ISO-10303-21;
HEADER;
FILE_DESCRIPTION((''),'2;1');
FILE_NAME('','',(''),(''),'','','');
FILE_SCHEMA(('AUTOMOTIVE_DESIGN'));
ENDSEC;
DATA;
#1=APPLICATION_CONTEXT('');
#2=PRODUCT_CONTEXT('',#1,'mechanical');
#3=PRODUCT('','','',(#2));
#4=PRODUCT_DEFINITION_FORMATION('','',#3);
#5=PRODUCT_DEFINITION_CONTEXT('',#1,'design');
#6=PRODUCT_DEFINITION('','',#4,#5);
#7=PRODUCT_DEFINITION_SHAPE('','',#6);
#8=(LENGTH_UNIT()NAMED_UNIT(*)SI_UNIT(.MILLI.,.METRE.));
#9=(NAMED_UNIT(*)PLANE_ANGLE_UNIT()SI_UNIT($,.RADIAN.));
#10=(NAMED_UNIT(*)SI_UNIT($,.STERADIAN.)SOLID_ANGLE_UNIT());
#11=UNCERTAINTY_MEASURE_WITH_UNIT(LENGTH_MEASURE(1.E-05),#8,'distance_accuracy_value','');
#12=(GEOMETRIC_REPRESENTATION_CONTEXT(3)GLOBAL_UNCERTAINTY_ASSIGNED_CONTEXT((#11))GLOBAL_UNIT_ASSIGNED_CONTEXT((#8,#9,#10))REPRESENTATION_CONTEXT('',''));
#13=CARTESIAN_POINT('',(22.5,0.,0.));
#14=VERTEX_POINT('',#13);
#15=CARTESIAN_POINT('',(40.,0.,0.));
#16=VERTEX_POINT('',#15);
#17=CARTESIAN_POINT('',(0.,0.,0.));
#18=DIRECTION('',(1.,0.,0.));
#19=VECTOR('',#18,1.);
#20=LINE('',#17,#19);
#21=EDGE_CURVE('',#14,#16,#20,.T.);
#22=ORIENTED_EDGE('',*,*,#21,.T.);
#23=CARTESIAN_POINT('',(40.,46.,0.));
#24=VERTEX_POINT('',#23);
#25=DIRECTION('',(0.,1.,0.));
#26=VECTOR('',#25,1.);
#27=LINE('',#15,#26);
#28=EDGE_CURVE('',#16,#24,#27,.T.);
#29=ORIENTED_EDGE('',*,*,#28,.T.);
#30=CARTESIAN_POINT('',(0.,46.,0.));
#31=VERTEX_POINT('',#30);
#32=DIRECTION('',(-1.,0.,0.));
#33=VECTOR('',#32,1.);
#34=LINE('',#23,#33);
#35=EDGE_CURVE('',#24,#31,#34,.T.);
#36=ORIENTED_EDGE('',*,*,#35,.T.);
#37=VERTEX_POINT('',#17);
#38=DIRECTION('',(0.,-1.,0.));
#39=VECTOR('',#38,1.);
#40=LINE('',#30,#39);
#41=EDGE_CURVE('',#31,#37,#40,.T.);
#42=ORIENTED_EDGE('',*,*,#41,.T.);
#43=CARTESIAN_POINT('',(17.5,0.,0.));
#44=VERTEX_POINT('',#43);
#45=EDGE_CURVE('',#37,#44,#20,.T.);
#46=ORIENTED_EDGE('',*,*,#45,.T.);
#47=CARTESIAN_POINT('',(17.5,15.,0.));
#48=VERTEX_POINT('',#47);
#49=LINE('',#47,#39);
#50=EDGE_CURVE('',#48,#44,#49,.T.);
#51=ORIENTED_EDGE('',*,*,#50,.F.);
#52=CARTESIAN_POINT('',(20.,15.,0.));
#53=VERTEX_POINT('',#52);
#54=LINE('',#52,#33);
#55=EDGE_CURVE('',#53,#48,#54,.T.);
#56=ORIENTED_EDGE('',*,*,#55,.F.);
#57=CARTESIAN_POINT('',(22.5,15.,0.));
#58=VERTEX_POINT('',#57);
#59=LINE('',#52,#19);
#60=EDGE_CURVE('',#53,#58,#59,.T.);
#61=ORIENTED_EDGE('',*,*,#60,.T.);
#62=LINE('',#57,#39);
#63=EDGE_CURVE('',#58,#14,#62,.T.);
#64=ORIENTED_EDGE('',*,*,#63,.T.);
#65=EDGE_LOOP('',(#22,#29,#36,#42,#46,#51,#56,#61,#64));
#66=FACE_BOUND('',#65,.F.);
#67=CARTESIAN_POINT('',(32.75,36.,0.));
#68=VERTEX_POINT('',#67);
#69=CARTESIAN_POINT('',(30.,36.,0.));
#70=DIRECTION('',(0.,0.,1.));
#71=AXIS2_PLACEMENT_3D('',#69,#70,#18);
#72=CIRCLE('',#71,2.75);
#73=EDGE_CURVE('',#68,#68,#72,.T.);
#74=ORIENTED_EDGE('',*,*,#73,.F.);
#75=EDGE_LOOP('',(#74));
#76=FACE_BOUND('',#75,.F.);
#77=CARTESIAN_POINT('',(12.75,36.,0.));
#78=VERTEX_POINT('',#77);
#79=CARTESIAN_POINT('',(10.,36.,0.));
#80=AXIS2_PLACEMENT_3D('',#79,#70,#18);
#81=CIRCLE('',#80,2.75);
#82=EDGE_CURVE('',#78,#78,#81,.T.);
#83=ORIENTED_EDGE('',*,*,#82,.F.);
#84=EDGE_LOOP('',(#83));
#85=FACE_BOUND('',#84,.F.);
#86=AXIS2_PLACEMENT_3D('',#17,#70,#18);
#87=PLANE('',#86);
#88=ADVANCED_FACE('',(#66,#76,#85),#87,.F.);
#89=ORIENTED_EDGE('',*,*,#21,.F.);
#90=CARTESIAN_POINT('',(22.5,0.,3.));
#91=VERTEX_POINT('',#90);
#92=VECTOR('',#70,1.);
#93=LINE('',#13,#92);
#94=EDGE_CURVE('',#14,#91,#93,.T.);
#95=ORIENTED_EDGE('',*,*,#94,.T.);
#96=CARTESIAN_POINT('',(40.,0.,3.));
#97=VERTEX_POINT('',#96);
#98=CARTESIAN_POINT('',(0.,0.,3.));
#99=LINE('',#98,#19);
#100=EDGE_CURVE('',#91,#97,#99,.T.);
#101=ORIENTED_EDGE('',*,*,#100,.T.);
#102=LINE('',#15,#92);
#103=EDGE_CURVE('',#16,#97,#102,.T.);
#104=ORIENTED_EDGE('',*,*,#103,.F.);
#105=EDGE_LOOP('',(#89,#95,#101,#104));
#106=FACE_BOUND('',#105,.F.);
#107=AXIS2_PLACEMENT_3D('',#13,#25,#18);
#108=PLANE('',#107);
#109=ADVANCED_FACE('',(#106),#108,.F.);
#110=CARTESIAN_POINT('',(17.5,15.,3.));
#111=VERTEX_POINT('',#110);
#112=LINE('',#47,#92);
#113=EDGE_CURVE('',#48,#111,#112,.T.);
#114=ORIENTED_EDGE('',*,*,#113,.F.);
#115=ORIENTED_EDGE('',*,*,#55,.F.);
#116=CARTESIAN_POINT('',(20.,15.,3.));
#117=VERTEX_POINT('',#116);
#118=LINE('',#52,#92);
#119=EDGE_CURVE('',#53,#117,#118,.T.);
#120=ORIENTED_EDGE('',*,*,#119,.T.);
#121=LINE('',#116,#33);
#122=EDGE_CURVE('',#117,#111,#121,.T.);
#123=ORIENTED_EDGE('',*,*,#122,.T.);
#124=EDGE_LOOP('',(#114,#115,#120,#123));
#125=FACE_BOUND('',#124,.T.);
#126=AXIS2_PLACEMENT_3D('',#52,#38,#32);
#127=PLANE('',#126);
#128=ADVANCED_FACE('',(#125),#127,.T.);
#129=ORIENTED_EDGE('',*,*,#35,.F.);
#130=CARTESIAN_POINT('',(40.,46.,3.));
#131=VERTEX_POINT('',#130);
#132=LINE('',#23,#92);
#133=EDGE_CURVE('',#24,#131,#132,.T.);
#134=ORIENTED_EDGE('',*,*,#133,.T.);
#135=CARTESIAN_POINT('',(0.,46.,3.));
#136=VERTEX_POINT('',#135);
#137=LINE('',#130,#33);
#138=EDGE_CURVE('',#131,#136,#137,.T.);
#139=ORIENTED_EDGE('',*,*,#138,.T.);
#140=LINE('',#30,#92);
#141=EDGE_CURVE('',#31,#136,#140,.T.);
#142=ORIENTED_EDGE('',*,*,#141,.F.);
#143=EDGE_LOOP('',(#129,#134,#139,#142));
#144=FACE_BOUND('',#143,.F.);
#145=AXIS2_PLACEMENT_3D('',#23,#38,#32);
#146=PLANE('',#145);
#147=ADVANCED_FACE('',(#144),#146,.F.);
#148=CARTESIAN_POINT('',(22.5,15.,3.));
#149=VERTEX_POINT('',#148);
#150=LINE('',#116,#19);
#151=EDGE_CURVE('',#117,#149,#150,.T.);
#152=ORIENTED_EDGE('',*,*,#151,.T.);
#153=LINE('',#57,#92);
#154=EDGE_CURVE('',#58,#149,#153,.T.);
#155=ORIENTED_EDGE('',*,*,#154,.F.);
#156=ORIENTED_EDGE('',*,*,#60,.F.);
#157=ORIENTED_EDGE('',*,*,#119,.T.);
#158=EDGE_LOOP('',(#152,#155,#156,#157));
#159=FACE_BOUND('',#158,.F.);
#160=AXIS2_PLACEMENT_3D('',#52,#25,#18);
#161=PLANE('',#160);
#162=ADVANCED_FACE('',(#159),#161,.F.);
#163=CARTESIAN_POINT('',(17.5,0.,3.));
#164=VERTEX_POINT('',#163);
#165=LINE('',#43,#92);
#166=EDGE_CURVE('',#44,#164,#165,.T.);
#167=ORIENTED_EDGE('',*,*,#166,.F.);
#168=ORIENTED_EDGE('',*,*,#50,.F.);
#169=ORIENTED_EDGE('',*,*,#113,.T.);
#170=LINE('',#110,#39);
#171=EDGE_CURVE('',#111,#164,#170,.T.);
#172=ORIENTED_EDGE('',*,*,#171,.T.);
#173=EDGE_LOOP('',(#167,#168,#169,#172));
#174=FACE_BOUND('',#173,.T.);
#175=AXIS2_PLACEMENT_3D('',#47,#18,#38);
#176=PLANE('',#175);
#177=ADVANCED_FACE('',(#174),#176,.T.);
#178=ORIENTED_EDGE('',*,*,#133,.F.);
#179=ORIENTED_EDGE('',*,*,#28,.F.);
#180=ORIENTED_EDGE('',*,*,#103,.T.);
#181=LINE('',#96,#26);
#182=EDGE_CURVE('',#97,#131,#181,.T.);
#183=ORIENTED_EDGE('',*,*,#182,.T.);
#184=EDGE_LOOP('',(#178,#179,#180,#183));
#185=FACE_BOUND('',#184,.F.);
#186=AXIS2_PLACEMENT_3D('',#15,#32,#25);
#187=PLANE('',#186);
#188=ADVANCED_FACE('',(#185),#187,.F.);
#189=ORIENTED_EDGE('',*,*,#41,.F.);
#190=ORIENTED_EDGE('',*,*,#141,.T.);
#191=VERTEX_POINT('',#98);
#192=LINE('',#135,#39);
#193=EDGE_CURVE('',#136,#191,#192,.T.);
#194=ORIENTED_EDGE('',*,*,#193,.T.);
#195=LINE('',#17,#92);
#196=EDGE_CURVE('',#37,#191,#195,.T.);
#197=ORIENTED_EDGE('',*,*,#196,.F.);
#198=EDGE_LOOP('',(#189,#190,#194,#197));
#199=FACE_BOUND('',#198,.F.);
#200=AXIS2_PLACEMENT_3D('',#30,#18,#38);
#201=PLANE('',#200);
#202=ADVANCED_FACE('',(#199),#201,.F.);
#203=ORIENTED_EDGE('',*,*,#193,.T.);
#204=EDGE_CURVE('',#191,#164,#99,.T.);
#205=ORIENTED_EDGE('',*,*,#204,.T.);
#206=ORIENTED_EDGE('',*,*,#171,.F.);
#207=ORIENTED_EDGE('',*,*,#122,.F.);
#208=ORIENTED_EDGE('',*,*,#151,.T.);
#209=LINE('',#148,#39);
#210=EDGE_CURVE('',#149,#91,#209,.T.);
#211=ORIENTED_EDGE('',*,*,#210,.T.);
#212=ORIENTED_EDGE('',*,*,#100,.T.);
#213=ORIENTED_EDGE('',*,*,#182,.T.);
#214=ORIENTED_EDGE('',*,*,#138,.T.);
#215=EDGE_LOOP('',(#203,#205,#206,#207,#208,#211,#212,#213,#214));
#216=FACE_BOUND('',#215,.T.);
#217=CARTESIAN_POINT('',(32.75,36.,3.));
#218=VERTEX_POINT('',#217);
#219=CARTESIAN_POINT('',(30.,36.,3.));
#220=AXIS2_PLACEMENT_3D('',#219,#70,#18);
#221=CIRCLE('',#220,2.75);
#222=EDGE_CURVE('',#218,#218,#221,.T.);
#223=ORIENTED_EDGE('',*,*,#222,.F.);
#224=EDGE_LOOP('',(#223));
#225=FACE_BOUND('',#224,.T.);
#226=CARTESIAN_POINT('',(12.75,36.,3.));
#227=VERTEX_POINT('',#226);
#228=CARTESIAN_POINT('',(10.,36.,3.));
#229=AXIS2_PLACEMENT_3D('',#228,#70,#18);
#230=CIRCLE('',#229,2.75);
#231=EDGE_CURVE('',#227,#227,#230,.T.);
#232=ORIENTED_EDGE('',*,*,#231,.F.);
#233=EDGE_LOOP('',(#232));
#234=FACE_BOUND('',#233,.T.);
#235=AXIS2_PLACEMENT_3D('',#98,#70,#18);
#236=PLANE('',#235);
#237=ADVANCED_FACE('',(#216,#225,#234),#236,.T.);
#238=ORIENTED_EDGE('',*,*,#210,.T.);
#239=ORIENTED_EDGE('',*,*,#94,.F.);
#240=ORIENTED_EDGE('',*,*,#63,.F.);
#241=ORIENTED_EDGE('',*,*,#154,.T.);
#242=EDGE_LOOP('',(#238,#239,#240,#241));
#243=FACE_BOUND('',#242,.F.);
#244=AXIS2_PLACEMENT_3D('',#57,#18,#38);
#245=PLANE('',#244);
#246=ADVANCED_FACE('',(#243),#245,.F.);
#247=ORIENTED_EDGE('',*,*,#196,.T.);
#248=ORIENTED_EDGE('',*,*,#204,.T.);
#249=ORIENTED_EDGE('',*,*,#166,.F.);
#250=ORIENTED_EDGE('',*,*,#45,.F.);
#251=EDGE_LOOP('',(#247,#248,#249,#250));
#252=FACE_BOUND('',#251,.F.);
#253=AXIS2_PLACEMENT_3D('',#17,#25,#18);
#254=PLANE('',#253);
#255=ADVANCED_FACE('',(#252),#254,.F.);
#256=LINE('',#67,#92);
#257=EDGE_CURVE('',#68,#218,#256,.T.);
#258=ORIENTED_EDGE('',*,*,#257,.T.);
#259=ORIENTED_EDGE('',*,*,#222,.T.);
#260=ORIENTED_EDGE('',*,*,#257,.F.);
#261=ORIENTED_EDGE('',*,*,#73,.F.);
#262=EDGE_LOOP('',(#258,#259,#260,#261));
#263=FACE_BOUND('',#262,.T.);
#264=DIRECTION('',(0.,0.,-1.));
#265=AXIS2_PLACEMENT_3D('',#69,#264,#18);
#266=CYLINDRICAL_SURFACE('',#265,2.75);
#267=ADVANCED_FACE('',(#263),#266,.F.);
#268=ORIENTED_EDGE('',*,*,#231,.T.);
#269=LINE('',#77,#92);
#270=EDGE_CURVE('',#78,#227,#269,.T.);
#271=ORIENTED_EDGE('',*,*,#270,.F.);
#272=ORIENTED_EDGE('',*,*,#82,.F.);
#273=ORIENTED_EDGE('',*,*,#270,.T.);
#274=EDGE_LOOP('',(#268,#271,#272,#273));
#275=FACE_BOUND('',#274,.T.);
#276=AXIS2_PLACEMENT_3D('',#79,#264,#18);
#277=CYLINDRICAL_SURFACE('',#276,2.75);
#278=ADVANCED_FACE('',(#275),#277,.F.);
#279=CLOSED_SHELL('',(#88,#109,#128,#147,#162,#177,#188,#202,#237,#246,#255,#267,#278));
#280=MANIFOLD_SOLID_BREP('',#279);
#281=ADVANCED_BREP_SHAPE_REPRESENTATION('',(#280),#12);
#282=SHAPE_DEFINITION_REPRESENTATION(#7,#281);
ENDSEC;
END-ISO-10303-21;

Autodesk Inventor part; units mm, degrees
ref_plane "YZ Plane" through (0, 0, 0) normal (1, 0, 0) x (0, 1, 0)
ref_plane "XZ Plane" through (0, 0, 0) normal (0, 1, 0) x (-1, 0, 0)
ref_plane "XY Plane" through (0, 0, 0) normal (0, 0, 1) x (1, 0, 0)
sketch "Sketch1" plane through (0, 0, 0) normal (0, 0, 1) x (1, 0, 0)
  line L0 (0, 0) -> (40, 0)
  line L1 (40, 0) -> (40, 46)
  line L2 (40, 46) -> (0, 46)
  line L3 (0, 46) -> (0, 0)
  line L4 (20, 0) -> (20, 15) construction
  line L5 (20, 15) -> (22.5, 15)
  line L6 (22.5, 15) -> (22.5, 0)
  line L7 (20, 15) -> (17.5, 15)
  line L8 (17.5, 15) -> (17.5, 0)
  line L9 (0, 46) -> (0, 36) construction
  line L10 (0, 36) -> (10, 36) construction
  circle A0 centre (10, 36) radius 2.75
  line L11 (40, 36) -> (30, 36) construction
  circle A1 centre (30, 36) radius 2.75
  dimension "d0" = 40
  dimension "d1" = 46
  dimension "d2" = 15
  dimension "d3" = 2.5
  dimension "d4" = 2.5
  dimension "d5" = 10
  dimension "d6" = 10
  dimension "d7" = 5.5
  dimension "d8" = 10
  dimension "d9" = 5.5
extrude "Extrusion1" add sketch "Sketch1" along normal blind 3 contours L3 L2 L1 L0 L6 L5 L7 L8
properties part number "Camera_Mount"
